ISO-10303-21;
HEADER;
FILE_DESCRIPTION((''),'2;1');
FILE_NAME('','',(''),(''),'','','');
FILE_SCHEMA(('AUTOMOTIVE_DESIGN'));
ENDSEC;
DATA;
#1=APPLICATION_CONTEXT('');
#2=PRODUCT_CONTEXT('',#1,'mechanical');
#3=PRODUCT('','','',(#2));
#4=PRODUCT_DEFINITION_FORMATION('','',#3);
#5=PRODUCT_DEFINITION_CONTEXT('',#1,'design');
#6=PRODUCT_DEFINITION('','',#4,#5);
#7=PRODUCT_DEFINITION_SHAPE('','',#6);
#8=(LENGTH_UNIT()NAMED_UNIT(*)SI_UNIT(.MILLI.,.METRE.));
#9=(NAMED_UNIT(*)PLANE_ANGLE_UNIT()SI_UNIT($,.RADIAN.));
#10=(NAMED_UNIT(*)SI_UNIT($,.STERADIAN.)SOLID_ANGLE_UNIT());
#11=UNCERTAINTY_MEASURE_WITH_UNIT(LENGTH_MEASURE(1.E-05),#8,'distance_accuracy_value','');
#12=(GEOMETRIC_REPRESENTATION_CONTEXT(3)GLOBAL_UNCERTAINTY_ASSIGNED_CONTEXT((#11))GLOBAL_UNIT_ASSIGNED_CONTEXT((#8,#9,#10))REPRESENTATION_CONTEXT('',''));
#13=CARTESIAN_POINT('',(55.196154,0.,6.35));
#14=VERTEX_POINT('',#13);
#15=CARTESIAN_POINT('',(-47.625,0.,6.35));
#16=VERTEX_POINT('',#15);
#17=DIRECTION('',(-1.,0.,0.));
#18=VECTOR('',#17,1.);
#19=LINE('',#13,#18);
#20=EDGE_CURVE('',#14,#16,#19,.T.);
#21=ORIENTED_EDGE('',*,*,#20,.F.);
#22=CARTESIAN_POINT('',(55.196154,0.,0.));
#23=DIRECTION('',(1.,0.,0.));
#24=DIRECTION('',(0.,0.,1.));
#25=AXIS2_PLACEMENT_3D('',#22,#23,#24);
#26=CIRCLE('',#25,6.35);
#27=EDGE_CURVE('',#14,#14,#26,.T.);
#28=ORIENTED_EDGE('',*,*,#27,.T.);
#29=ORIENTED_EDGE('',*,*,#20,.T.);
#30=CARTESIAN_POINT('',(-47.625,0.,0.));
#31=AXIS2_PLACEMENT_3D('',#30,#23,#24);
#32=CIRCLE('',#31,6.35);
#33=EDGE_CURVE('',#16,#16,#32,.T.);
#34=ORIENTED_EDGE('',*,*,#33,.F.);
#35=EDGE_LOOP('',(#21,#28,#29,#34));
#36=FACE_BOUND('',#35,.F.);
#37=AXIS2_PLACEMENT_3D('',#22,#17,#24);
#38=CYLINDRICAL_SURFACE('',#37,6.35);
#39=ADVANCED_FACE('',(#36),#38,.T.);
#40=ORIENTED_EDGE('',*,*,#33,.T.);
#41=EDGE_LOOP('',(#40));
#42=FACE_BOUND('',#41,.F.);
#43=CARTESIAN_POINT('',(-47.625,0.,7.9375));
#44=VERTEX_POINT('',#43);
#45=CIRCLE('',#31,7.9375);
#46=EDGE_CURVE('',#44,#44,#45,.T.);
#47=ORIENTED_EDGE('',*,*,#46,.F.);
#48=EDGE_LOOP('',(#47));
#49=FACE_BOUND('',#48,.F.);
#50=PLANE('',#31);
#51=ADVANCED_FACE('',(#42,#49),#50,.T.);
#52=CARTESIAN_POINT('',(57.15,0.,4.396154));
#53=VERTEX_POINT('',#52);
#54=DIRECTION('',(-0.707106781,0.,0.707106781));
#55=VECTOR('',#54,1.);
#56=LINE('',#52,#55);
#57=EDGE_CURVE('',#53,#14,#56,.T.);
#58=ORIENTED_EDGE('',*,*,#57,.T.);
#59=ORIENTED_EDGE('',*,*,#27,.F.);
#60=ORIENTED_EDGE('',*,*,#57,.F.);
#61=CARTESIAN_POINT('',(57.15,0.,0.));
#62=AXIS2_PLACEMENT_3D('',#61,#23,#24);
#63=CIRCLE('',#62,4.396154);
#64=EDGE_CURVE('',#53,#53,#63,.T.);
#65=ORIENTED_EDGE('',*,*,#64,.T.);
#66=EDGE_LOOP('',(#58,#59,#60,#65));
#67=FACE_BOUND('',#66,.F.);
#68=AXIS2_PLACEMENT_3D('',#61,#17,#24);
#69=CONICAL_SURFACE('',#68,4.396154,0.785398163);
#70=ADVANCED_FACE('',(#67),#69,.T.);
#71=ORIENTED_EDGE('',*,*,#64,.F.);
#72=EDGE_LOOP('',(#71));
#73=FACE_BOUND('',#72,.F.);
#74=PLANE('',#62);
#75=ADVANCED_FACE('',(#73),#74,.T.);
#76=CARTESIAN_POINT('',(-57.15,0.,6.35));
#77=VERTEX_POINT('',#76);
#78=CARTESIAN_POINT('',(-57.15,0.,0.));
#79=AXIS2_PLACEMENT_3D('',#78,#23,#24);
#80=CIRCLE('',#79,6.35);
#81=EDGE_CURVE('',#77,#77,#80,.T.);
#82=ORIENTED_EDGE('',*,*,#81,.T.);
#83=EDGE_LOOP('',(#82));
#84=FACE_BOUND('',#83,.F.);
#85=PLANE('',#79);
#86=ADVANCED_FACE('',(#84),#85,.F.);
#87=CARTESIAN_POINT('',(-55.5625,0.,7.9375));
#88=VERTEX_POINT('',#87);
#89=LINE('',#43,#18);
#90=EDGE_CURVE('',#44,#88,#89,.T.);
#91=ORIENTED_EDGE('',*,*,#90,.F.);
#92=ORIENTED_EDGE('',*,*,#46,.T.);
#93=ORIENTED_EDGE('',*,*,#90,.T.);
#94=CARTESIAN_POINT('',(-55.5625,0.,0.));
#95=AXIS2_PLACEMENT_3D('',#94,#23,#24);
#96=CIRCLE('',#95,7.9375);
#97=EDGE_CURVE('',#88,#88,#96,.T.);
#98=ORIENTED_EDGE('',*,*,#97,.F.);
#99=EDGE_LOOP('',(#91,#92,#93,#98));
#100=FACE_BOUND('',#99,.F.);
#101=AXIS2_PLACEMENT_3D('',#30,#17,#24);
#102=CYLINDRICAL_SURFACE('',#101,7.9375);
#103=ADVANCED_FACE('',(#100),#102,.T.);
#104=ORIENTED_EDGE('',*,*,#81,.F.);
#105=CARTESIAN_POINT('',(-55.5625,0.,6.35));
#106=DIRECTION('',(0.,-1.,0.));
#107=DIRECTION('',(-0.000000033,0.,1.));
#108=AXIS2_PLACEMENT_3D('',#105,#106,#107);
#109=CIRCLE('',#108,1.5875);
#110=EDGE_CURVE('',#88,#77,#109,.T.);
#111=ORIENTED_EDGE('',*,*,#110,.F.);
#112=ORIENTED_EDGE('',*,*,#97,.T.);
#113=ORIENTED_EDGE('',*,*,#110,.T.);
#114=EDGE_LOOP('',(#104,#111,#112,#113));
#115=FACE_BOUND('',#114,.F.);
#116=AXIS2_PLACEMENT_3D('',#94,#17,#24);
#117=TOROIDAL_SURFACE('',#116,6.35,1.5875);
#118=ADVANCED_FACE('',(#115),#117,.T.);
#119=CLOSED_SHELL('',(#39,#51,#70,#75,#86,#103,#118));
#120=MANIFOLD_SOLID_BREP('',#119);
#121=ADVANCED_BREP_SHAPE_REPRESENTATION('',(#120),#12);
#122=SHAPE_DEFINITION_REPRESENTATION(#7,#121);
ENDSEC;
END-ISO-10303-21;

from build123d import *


with BuildPart() as f0:
    # F1 (on Front) → F0 (revolve)
    with BuildSketch(Plane.XZ):
        with BuildLine():
            Line((-47.625, 7.9375), (-55.5625, 7.9375))
            ThreePointArc((-55.5625, 7.9375), (-56.685032, 7.472532), (-57.15, 6.35))
            Line((-57.15, 6.35), (-57.15, 0))
            Line((-57.15, 0), (57.15, 0))
            Line((57.15, 0), (57.15, 4.396154))
            Line((57.15, 4.396154), (55.196154, 6.35))
            Line((55.196154, 6.35), (-47.625, 6.35))
            Line((-47.625, 6.35), (-47.625, 7.9375))
        make_face()
    revolve(axis=Axis((0, 0, 0), (1, 0, 0)))


solid = f0.part
